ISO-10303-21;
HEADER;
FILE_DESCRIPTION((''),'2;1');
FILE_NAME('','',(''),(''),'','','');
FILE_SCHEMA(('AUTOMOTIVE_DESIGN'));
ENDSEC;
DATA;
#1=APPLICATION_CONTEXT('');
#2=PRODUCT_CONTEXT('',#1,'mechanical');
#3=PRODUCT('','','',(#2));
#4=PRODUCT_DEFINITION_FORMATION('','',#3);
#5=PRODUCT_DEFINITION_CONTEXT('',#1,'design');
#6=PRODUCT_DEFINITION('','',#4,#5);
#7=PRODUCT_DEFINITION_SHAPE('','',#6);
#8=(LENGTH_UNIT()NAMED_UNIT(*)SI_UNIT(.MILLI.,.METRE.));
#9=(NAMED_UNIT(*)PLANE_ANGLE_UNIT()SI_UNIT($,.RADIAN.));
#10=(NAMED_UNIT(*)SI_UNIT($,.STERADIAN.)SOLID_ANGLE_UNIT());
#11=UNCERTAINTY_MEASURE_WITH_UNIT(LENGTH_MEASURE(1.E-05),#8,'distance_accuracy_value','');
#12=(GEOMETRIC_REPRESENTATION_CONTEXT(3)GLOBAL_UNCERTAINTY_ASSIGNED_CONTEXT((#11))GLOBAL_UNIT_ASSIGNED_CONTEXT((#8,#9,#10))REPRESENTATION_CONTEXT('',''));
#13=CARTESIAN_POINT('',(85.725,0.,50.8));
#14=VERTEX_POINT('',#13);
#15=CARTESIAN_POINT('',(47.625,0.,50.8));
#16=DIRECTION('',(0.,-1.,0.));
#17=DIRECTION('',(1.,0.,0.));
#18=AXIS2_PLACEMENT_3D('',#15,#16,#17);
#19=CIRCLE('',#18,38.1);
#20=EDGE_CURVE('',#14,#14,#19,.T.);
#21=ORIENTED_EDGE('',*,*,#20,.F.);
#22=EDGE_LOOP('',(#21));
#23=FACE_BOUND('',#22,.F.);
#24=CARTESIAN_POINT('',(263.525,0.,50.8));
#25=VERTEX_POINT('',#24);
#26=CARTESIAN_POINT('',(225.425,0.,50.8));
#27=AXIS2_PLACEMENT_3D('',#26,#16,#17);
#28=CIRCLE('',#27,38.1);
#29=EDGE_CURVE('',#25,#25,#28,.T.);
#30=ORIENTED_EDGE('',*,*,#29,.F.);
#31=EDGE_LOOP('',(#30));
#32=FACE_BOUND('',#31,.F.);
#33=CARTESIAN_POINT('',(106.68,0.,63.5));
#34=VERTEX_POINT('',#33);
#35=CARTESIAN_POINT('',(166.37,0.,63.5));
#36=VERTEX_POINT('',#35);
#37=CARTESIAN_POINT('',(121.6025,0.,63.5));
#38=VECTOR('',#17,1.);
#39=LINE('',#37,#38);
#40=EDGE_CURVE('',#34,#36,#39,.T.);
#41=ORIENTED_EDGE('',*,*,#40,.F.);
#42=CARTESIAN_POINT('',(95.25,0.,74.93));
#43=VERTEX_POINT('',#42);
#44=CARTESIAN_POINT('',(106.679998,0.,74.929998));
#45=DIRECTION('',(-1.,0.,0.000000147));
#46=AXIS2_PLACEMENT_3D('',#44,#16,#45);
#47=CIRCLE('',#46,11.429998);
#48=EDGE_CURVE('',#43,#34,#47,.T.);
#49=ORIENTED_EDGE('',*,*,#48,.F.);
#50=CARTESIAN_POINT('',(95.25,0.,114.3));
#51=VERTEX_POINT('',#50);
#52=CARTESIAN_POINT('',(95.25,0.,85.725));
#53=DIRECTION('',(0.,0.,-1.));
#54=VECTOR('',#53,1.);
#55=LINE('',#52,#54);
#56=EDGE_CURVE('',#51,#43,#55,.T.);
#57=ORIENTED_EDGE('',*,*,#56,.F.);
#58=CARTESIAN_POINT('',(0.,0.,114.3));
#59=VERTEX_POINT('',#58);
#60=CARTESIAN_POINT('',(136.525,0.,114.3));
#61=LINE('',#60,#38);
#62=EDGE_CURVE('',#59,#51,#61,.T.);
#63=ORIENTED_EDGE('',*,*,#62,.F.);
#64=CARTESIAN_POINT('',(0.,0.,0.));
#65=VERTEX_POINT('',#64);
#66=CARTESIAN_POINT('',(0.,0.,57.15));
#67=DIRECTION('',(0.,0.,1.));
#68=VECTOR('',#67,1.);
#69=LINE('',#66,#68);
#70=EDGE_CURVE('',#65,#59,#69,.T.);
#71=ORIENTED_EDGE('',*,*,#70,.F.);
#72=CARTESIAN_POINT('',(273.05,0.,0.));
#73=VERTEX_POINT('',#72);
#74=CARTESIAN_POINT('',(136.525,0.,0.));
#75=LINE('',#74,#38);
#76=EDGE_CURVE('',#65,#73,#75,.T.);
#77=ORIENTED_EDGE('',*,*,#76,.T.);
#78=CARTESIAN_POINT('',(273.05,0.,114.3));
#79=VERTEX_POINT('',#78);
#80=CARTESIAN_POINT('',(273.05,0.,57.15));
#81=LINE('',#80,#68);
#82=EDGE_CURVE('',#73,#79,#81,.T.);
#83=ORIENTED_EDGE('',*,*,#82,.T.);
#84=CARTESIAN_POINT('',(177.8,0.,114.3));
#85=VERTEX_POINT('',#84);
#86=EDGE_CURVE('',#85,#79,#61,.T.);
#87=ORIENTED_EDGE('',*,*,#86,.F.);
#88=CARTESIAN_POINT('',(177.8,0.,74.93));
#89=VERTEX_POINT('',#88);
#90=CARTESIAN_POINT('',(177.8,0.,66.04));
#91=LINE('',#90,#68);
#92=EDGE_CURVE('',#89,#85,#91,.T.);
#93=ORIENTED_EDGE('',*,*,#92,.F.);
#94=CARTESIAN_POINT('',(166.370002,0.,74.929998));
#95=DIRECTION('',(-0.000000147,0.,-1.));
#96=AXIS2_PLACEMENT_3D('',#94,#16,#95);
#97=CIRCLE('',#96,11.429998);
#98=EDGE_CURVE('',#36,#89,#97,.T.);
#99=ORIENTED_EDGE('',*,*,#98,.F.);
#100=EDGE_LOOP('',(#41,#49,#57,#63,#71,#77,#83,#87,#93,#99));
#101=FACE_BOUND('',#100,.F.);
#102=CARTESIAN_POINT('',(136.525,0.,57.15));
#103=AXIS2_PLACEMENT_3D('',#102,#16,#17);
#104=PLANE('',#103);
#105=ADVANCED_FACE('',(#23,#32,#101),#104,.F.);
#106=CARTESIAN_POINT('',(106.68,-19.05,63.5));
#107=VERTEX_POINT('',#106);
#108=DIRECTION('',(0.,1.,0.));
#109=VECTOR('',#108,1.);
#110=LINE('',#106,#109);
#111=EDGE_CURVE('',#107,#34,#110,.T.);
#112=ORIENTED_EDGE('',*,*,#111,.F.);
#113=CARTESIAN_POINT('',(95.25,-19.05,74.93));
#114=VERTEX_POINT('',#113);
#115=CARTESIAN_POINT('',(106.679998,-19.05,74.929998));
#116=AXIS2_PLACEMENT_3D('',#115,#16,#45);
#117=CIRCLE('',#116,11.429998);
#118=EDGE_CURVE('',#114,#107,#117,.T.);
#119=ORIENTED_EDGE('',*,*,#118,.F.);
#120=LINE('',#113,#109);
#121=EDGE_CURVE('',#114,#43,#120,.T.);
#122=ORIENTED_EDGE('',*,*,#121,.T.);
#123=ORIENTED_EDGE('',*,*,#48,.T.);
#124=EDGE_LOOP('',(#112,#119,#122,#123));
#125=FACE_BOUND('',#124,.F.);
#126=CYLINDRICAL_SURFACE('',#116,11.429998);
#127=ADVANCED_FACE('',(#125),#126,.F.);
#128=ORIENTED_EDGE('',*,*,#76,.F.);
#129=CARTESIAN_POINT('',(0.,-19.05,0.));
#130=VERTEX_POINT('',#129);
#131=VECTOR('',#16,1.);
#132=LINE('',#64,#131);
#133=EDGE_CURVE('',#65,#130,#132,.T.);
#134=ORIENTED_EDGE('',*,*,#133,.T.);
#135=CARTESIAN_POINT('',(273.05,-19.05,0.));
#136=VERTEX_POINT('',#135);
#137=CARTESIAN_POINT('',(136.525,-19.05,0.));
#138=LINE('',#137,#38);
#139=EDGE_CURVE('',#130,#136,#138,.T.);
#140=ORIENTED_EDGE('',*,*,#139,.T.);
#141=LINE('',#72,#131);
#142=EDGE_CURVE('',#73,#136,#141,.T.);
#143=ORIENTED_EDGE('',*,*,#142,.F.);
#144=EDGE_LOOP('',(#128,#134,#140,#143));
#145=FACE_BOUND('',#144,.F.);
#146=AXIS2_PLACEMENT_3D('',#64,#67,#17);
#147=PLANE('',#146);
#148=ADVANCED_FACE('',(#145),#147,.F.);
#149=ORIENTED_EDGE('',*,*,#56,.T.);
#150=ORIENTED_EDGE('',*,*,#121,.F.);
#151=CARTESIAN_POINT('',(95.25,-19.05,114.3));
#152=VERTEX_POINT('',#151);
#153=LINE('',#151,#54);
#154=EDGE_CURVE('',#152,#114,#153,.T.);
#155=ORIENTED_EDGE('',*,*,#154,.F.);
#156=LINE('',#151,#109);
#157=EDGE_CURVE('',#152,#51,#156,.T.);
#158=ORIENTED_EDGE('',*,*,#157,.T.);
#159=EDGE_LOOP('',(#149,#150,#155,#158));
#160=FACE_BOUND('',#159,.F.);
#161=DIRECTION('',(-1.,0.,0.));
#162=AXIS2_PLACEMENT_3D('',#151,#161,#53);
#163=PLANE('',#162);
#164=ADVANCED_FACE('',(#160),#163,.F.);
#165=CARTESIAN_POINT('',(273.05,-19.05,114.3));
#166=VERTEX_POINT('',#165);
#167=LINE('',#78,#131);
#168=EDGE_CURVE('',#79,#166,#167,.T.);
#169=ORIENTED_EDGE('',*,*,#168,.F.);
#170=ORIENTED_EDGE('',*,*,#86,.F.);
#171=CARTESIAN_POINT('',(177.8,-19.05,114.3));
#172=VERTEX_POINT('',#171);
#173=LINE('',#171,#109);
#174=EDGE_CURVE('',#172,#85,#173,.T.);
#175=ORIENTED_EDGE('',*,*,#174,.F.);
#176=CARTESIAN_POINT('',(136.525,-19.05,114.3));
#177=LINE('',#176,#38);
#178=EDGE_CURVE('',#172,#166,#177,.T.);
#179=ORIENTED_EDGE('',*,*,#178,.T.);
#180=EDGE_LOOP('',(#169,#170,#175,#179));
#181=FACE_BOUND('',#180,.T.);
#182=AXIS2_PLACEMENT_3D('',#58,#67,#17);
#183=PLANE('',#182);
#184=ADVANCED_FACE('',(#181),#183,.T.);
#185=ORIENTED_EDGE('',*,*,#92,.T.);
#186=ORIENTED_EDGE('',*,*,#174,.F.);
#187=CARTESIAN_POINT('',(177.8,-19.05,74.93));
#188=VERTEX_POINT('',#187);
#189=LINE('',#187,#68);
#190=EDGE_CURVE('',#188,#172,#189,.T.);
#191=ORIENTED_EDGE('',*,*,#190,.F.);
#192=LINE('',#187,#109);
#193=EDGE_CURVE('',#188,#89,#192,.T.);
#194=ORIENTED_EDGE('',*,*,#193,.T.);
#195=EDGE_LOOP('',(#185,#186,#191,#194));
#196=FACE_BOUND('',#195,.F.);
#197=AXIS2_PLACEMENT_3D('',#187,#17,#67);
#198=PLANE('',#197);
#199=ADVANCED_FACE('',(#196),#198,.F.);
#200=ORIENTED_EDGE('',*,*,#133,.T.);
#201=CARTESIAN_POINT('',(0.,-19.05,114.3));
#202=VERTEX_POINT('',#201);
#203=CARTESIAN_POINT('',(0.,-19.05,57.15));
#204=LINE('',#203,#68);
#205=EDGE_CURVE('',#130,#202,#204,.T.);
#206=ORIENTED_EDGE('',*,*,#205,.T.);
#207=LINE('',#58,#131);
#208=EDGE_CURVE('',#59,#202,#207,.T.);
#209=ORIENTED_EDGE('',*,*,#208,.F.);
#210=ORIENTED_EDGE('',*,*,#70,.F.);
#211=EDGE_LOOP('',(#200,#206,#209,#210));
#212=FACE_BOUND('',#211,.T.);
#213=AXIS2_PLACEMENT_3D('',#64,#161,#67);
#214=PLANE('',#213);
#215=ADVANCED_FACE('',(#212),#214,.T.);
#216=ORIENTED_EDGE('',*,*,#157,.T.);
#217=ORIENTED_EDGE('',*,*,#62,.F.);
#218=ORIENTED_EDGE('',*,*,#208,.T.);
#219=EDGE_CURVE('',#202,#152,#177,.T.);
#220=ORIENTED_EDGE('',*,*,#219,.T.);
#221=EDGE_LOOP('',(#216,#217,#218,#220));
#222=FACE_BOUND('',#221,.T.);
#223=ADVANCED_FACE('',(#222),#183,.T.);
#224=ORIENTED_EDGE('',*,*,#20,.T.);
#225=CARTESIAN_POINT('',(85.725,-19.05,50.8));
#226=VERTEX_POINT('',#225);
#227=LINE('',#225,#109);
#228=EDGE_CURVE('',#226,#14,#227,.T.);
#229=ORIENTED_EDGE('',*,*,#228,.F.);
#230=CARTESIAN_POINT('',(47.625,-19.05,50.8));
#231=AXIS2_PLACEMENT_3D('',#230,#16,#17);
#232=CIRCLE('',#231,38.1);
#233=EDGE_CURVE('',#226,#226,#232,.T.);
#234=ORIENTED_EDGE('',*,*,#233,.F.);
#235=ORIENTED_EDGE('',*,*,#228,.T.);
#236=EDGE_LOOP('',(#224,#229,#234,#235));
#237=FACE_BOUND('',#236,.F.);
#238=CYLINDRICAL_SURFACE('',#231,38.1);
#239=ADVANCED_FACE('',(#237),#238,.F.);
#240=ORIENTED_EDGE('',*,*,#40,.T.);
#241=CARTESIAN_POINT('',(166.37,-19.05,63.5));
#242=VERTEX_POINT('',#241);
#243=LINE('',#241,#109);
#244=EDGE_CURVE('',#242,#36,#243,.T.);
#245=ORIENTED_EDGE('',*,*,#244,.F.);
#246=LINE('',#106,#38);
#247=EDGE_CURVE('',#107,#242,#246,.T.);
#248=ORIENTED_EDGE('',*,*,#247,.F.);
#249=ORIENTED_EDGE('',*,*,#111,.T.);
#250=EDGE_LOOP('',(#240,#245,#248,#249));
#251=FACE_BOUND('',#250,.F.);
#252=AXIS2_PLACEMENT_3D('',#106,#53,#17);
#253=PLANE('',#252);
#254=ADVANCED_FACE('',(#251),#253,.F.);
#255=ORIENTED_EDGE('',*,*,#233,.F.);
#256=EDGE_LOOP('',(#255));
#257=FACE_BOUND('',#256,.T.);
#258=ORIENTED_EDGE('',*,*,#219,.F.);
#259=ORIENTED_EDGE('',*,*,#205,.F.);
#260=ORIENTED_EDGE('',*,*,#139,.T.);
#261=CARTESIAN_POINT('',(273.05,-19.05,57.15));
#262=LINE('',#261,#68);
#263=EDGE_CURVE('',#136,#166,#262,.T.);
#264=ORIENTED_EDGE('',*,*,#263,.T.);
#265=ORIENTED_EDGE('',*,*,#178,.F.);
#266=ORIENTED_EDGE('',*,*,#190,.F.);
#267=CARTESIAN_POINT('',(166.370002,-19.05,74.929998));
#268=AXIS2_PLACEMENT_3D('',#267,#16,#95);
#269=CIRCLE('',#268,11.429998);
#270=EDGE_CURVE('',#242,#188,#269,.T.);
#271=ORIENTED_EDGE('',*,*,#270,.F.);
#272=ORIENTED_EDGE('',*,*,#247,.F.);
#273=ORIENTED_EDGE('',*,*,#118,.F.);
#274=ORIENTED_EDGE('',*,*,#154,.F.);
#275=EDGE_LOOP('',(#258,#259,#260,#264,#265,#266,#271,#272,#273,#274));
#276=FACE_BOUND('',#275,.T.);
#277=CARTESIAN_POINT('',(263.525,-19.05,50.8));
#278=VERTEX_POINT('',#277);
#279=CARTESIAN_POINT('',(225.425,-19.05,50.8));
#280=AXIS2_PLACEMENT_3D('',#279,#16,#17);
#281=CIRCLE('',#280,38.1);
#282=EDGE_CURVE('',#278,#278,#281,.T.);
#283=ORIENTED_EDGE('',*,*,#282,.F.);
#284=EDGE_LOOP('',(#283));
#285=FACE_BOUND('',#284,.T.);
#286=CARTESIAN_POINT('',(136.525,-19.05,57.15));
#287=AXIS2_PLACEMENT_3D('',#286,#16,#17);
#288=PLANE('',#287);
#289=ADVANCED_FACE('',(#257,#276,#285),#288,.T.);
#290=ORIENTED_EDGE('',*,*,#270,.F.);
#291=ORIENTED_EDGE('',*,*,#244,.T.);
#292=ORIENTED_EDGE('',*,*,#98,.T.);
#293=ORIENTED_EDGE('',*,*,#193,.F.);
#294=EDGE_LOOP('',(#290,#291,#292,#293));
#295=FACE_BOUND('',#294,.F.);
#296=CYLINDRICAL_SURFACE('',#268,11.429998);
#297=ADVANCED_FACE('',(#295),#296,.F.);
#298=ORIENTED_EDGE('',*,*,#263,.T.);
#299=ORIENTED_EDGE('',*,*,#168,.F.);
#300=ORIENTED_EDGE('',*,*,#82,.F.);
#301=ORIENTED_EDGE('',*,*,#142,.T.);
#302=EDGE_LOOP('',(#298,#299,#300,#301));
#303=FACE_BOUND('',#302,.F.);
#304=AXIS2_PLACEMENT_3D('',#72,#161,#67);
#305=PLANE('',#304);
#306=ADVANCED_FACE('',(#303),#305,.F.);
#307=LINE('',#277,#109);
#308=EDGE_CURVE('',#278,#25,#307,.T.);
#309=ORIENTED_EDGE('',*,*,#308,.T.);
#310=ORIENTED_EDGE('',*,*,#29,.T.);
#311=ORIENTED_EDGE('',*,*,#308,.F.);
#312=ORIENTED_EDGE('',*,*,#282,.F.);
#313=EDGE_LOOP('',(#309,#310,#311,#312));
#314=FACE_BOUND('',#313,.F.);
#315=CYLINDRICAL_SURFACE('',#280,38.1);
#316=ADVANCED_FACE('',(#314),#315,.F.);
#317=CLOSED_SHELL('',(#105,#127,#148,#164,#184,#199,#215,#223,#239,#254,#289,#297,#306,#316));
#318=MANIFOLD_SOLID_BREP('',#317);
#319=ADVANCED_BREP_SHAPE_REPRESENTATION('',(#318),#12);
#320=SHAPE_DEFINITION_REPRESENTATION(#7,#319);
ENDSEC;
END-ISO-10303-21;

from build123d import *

# Parameters (mm, degrees)
F0_W     = 273.05
F0_H     = 114.3
F1_DEPTH = 19.05
F2_R     = 38.1
F3_DEPTH = 25.4
F5_DEPTH = 25.4


with BuildPart() as f1:
    # F0 (on Front) → F1 (new body)
    with BuildSketch(Plane.XZ):
        with Locations((136.525, 57.15)):
            Rectangle(F0_W, F0_H)
    extrude(amount=F1_DEPTH)

    # F2 (on face) → F3 (cut)
    with BuildSketch(Plane.XZ.offset(19.05)):
        with Locations((47.625, 50.8)):
            Circle(F2_R)
        with Locations((225.425, 50.8)):
            Circle(F2_R)
    extrude(amount=-F3_DEPTH, mode=Mode.SUBTRACT)

    # F4 (on face) → F5 (cut)
    with BuildSketch(Plane.XZ.offset(19.05)):
        with BuildLine():
            Line((177.8, 114.3), (95.25, 114.3))
            Line((95.25, 114.3), (95.25, 74.93))
            ThreePointArc((95.25, 74.93), (98.597769, 66.847769), (106.68, 63.5))
            Line((106.68, 63.5), (166.37, 63.5))
            ThreePointArc((166.37, 63.5), (174.452231, 66.847769), (177.8, 74.93))
            Line((177.8, 74.93), (177.8, 114.3))
        make_face()
    extrude(amount=-F5_DEPTH, mode=Mode.SUBTRACT)


solid = f1.part
